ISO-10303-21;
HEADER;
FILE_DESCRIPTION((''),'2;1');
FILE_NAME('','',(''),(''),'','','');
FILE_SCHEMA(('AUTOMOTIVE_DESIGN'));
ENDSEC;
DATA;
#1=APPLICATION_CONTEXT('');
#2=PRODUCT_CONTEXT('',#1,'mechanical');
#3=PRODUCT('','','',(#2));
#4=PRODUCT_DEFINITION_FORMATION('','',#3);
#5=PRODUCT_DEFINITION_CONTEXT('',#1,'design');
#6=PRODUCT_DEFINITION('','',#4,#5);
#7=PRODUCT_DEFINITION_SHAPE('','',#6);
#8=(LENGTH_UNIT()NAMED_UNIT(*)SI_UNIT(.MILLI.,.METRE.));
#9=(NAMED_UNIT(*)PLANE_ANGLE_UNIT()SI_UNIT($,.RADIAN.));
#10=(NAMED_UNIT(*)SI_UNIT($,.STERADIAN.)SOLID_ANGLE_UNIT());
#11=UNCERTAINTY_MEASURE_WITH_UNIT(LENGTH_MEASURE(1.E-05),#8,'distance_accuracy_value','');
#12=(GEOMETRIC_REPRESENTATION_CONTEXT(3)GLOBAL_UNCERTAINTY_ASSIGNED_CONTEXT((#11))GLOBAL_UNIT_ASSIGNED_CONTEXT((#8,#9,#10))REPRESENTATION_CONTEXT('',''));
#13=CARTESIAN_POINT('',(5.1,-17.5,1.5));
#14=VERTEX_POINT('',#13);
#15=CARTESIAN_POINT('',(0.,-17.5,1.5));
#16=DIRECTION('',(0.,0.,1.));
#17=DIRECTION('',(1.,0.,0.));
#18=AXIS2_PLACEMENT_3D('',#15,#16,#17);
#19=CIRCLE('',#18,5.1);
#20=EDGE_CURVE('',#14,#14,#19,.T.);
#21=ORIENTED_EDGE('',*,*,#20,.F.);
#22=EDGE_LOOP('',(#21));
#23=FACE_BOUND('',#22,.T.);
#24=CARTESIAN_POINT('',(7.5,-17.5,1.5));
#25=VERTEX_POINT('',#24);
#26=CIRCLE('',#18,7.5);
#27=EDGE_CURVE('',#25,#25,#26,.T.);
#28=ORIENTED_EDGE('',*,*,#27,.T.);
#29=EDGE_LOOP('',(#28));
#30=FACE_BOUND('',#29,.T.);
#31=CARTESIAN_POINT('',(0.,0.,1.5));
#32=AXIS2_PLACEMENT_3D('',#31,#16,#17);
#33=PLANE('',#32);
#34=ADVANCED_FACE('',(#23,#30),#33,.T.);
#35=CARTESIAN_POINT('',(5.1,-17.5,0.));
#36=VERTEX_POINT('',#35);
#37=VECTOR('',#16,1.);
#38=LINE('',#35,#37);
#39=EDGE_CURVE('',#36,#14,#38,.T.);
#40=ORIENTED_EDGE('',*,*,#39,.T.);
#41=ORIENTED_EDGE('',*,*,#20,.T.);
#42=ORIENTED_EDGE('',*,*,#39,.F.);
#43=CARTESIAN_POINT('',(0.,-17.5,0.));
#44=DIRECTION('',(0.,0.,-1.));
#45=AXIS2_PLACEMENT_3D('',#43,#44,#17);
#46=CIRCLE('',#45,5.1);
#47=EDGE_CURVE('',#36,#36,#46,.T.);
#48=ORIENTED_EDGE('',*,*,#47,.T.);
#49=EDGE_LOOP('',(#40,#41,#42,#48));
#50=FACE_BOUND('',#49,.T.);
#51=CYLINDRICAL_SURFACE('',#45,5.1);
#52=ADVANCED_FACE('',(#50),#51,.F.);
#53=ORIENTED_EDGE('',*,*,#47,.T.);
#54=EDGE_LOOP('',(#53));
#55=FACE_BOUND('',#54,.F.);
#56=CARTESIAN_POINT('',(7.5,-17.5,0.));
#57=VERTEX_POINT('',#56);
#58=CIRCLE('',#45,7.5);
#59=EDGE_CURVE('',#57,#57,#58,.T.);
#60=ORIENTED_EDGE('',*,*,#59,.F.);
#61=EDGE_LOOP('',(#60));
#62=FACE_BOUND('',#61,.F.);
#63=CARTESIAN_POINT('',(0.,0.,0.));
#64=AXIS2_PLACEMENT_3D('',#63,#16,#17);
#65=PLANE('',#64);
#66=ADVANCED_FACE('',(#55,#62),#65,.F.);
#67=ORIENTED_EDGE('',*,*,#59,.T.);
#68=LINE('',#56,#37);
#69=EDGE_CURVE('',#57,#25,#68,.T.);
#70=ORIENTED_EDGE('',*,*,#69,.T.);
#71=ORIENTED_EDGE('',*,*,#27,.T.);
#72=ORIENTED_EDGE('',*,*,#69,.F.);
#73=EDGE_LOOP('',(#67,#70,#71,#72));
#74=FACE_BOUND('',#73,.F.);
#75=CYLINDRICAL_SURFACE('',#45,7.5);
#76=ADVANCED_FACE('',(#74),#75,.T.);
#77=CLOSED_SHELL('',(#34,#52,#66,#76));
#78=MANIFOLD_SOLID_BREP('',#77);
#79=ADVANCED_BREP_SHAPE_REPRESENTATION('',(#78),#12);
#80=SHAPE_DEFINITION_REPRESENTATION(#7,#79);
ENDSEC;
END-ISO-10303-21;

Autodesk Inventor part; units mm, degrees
ref_plane "YZ Plane" through (0, 0, 0) normal (1, 0, 0) x (0, 1, 0)
ref_plane "XZ Plane" through (0, 0, 0) normal (0, 1, 0) x (-1, 0, 0)
ref_plane "XY Plane" through (0, 0, 0) normal (0, 0, 1) x (1, 0, 0)
ref_plane "작업 평면1" through (0, 0, 0) normal (0, 0, 1) x (1, 0, 0)
sketch "스케치1" plane through (0, 0, 0) normal (0, 0, 1) x (1, 0, 0)
  circle A0 centre (-3, -27.5) radius 1.35 projected
  circle A1 centre (3, -27.5) radius 1.35 projected
  line L0 (4.4, -3.4094) -> (4.4, -19.8749) projected
  arc A2 (-4.4, -19.8749) -> (4.4, -19.8749) centre (0, -17.5) ccw projected
  line L1 (-4.4, -19.8749) -> (-4.4, -3.4094) projected
  arc A3 (4.4, -3.4094) -> (-4.4, -3.4094) centre (0, -5.7843) ccw projected
  circle A4 centre (0, 22.5) radius 4 projected
  arc A5 (-2.7698, 16.0713) -> (2.7698, 16.0713) centre (0, 22.5) ccw projected
  arc A6 (5.5454, 14.4845) -> (2.7698, 16.0713) centre (3.5611, 14.2345) ccw projected
  line L2 (5.5454, 14.4845) -> (6.9428, 3.3933) projected
  arc A7 (3.9674, 1.4062) -> (6.9428, 3.3933) centre (4.9585, 3.1433) ccw projected
  arc A8 (3.9674, 1.4062) -> (-3.9674, 1.4062) centre (0, -5.5476) ccw projected
  arc A9 (-6.9428, 3.3933) -> (-3.9674, 1.4062) centre (-4.9585, 3.1433) ccw projected
  line L3 (-6.9428, 3.3933) -> (-5.5454, 14.4845) projected
  arc A10 (-2.7698, 16.0713) -> (-5.5454, 14.4845) centre (-3.5611, 14.2345) ccw projected
  arc A11 (-12.5, -19.9495) -> (-9.6429, -26.948) centre (-2.5, -19.9495) ccw projected
  arc A12 (-9.6429, -26.948) -> (9.6429, -26.948) centre (0, -17.5) ccw projected
  arc A13 (9.6429, -26.948) -> (12.5, -19.9495) centre (2.5, -19.9495) ccw projected
  line L4 (12.5, -19.9495) -> (12.5, -17.5) projected
  arc A14 (12.5, -17.5) -> (12.402, -15.9375) centre (0, -17.5) ccw projected
  line L5 (7.4412, 23.4375) -> (12.402, -15.9375) projected
  arc A15 (7.4412, 23.4375) -> (-7.4412, 23.4375) centre (0, 22.5) ccw projected
  line L6 (-12.402, -15.9375) -> (-7.4412, 23.4375) projected
  arc A16 (-12.402, -15.9375) -> (-12.5, -17.5) centre (0, -17.5) ccw projected
  line L7 (-12.5, -17.5) -> (-12.5, -19.9495) projected
  circle A17 centre (0, -17.5) radius 3 projected
  line L8 (-4.4, -16.5566) -> (-4.4, -18.4434) projected
  arc A18 (-4.4, -18.4434) -> (4.4, -18.4434) centre (0, -17.5) ccw projected
  line L9 (4.4, -18.4434) -> (4.4, -16.5566) projected
  arc A19 (4.4, -16.5566) -> (-4.4, -16.5566) centre (0, -17.5) ccw projected
  circle A20 centre (0, -17.5) radius 5.1
  circle A21 centre (0, -17.5) radius 7.5
  point P0 (0, 0)
  dimension "d0" = 10.2
  dimension "d1" = 15
extrude "돌출1" add sketch "스케치1" along normal blind 1.5 contours A20 L1 A21 L0 | L0 A21 L1 A20
properties part number "Ubber_Washer_1.5mm" material "스테인리스스틸"
